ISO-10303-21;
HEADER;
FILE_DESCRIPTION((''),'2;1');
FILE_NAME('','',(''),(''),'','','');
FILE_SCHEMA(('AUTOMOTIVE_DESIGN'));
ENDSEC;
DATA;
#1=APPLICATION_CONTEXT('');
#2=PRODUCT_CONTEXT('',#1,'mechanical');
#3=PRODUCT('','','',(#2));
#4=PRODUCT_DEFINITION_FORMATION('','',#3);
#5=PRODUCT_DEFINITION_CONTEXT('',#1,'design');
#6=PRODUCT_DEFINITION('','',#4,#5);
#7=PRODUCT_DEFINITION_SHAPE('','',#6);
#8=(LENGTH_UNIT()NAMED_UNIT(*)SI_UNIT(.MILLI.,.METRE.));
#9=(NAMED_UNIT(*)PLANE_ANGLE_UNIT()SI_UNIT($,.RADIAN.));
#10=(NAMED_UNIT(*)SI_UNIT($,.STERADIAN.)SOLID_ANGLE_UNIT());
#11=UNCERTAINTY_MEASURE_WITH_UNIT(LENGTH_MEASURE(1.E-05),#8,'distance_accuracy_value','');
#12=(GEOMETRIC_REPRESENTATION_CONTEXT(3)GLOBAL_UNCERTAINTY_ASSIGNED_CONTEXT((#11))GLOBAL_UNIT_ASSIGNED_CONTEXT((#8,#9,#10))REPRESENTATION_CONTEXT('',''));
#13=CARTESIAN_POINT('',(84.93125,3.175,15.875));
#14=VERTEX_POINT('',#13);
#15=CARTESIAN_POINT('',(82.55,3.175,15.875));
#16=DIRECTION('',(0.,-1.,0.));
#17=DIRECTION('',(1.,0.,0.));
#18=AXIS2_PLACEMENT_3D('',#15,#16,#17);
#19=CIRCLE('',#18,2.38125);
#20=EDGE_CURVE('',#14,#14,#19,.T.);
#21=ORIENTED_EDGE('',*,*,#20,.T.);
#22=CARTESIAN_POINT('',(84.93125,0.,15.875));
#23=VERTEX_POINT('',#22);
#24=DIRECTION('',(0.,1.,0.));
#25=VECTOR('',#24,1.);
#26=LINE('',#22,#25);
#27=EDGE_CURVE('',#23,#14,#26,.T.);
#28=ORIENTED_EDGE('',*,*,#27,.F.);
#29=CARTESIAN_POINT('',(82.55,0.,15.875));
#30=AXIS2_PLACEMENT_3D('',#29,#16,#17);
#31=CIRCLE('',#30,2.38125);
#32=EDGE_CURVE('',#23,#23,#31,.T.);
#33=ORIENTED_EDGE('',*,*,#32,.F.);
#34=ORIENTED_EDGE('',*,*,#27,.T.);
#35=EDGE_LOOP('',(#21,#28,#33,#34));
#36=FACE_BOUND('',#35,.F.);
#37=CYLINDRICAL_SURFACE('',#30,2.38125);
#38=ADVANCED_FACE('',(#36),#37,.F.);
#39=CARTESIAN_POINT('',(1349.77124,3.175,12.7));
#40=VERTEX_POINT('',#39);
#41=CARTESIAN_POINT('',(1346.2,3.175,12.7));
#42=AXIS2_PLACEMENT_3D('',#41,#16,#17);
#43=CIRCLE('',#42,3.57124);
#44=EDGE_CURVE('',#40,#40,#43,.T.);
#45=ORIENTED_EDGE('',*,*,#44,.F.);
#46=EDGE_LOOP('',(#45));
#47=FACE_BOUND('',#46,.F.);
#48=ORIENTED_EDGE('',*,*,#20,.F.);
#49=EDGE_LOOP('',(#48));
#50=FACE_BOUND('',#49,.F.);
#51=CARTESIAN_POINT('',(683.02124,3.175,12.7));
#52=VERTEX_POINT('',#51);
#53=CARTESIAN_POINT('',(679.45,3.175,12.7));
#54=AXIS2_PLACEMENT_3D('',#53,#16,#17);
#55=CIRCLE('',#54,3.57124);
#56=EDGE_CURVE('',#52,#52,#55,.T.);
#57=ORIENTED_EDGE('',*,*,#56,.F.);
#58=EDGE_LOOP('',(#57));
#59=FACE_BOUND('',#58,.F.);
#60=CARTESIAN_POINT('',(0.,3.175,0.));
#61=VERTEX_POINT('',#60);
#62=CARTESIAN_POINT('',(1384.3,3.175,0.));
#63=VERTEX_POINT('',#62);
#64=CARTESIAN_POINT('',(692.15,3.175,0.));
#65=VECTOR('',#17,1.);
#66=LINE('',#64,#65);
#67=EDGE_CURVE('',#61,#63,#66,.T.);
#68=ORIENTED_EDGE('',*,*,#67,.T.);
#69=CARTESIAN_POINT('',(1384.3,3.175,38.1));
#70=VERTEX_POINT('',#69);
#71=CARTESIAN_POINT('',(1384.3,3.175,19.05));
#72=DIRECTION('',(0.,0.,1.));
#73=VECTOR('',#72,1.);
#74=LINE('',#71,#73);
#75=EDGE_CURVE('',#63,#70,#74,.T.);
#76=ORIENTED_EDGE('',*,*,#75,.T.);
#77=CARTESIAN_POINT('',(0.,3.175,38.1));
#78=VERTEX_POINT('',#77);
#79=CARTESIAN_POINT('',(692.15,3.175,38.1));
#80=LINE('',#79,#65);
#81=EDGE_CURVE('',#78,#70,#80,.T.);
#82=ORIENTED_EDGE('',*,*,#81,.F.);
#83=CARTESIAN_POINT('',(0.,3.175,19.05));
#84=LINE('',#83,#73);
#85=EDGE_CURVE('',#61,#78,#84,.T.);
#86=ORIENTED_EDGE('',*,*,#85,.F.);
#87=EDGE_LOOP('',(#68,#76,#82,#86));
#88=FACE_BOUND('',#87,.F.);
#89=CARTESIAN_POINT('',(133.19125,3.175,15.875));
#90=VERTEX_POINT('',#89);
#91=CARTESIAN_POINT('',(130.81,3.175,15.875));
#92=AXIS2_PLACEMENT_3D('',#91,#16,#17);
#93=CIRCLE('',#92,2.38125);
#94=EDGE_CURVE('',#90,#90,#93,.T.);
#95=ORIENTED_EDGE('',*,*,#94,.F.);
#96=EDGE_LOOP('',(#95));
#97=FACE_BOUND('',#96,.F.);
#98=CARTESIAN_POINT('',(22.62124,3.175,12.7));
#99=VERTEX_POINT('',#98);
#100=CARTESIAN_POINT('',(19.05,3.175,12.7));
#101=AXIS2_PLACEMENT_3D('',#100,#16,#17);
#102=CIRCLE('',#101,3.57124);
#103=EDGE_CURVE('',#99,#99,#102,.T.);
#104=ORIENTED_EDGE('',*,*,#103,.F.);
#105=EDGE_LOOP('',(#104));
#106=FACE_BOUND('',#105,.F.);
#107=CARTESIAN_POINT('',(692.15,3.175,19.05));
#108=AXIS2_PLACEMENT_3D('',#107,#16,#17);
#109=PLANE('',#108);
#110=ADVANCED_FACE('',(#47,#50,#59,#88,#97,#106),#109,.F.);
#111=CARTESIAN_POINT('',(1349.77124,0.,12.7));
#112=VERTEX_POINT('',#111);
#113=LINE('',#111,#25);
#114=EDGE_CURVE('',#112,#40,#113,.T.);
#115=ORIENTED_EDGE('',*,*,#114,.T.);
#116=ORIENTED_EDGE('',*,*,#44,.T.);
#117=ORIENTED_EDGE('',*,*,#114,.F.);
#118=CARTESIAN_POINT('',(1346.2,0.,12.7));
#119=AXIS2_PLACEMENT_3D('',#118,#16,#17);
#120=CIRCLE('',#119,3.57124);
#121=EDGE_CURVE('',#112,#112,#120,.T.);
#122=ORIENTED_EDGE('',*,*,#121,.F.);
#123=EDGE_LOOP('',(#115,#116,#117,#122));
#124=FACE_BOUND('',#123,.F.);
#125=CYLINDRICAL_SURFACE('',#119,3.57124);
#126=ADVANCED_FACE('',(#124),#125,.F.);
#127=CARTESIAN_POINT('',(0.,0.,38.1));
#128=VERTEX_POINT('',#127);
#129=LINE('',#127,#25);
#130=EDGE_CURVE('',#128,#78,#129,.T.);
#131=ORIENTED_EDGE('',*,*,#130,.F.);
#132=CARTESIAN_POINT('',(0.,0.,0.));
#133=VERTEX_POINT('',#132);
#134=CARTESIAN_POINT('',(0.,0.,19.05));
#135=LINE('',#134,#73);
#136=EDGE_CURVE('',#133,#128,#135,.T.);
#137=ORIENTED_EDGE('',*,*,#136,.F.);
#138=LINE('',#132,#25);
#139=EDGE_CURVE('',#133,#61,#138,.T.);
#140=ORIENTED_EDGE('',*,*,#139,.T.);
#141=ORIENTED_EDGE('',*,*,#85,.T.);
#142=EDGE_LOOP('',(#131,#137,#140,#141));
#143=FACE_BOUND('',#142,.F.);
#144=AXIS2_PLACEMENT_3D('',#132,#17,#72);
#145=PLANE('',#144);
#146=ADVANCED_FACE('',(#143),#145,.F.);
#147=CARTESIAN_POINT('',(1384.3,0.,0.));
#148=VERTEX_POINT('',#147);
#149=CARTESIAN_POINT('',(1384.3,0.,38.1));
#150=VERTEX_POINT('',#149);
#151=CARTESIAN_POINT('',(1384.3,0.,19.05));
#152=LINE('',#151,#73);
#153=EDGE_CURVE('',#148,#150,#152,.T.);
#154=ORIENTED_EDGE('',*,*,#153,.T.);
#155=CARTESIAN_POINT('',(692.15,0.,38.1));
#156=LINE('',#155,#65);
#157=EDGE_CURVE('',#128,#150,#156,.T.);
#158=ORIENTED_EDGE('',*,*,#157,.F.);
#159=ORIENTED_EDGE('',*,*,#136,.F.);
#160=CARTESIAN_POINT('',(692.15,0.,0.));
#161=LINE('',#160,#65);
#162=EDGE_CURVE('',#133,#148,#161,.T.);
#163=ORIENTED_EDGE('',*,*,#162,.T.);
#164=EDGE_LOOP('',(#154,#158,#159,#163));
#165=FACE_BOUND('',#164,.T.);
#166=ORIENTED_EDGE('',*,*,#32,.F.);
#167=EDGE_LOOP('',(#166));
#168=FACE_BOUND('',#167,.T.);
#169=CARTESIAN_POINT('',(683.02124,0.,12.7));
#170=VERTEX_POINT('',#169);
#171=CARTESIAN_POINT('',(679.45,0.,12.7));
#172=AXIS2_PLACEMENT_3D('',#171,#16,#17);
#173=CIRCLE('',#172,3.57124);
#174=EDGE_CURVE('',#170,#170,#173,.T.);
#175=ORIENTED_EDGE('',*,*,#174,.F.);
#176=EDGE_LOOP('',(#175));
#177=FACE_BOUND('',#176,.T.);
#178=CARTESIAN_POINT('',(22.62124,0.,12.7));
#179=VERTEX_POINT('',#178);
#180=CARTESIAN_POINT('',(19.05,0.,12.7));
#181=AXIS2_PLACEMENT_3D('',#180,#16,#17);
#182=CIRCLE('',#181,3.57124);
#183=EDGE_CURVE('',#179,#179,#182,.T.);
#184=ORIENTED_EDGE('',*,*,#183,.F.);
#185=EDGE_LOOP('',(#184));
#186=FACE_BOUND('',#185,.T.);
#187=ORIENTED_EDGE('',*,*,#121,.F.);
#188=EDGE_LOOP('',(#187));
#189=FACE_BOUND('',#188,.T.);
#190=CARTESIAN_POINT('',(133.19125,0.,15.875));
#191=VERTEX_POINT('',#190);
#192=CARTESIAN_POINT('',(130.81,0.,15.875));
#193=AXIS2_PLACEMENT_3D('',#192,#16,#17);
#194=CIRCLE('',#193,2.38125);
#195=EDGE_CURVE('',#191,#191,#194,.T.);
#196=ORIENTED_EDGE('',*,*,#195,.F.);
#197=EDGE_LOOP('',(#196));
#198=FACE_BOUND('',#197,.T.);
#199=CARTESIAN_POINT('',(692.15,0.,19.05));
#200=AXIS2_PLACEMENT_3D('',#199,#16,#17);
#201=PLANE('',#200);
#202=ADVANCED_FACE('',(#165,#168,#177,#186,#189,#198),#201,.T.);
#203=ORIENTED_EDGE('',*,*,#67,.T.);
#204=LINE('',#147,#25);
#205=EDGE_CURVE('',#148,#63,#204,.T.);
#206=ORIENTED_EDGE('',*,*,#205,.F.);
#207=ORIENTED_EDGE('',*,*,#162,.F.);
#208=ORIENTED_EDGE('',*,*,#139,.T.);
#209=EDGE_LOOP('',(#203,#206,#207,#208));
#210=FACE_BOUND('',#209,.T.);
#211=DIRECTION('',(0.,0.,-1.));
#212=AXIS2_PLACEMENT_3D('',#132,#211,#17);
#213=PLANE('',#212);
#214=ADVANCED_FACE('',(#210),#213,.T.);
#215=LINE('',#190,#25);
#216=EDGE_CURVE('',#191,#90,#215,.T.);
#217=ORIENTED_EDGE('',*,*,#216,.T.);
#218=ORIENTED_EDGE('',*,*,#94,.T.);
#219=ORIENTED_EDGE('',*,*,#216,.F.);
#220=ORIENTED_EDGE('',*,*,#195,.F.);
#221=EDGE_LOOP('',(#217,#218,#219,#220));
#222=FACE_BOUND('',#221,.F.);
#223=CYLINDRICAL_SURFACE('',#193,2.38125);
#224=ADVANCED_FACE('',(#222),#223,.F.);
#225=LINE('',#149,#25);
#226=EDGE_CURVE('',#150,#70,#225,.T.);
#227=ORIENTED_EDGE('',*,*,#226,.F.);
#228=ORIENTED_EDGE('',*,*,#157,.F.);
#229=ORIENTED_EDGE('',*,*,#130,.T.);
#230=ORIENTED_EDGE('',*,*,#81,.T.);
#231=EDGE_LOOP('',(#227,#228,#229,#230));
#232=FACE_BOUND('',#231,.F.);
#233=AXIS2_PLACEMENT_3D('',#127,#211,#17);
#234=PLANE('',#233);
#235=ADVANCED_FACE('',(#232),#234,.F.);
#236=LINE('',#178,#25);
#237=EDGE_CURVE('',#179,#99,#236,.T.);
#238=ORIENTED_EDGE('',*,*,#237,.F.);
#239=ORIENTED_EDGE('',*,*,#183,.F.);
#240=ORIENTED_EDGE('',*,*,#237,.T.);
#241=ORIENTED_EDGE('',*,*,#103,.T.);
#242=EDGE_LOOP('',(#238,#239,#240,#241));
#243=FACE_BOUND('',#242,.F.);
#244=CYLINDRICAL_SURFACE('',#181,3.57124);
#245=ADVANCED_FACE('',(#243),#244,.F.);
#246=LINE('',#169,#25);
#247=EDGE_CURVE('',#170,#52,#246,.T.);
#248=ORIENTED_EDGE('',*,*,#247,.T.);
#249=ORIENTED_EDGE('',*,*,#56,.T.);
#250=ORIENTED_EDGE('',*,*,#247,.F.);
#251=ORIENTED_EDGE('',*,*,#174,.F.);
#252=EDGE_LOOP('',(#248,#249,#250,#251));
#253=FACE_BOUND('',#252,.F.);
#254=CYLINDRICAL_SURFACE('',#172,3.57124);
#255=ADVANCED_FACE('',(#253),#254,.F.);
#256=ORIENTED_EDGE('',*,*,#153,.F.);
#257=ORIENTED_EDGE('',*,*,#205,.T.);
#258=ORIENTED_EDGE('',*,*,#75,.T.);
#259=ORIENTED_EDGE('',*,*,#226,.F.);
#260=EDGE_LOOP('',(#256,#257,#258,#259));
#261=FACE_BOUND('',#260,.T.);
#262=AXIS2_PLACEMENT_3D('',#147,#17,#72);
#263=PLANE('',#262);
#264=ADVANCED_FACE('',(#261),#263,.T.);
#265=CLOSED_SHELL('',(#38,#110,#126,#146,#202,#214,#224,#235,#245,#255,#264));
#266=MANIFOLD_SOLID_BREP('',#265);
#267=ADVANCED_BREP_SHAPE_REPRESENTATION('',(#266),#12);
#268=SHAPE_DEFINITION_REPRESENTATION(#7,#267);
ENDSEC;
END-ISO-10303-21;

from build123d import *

# Parameters (mm, degrees)
F0_W     = 1384.3
F0_H     = 38.1
F1_DEPTH = 3.175
F2_R     = 3.57124
F2_R_2   = 2.38125
F3_DEPTH = 3.176


with BuildPart() as f1:
    # F0 (on Front) → F1 (new body)
    with BuildSketch(Plane.XZ):
        with Locations((692.15, 19.05)):
            Rectangle(F0_W, F0_H)
    extrude(amount=-F1_DEPTH)

    # F2 (on face) → F3 (cut, through all)
    with BuildSketch(Plane.XZ):
        with Locations((19.05, 12.7)):
            Circle(F2_R)
        with Locations((82.55, 15.875)):
            Circle(F2_R_2)
        with Locations((130.81, 15.875)):
            Circle(F2_R_2)
        with Locations((679.45, 12.7)):
            Circle(F2_R)
        with Locations((1346.2, 12.7)):
            Circle(F2_R)
    extrude(amount=-F3_DEPTH, mode=Mode.SUBTRACT)


solid = f1.part
